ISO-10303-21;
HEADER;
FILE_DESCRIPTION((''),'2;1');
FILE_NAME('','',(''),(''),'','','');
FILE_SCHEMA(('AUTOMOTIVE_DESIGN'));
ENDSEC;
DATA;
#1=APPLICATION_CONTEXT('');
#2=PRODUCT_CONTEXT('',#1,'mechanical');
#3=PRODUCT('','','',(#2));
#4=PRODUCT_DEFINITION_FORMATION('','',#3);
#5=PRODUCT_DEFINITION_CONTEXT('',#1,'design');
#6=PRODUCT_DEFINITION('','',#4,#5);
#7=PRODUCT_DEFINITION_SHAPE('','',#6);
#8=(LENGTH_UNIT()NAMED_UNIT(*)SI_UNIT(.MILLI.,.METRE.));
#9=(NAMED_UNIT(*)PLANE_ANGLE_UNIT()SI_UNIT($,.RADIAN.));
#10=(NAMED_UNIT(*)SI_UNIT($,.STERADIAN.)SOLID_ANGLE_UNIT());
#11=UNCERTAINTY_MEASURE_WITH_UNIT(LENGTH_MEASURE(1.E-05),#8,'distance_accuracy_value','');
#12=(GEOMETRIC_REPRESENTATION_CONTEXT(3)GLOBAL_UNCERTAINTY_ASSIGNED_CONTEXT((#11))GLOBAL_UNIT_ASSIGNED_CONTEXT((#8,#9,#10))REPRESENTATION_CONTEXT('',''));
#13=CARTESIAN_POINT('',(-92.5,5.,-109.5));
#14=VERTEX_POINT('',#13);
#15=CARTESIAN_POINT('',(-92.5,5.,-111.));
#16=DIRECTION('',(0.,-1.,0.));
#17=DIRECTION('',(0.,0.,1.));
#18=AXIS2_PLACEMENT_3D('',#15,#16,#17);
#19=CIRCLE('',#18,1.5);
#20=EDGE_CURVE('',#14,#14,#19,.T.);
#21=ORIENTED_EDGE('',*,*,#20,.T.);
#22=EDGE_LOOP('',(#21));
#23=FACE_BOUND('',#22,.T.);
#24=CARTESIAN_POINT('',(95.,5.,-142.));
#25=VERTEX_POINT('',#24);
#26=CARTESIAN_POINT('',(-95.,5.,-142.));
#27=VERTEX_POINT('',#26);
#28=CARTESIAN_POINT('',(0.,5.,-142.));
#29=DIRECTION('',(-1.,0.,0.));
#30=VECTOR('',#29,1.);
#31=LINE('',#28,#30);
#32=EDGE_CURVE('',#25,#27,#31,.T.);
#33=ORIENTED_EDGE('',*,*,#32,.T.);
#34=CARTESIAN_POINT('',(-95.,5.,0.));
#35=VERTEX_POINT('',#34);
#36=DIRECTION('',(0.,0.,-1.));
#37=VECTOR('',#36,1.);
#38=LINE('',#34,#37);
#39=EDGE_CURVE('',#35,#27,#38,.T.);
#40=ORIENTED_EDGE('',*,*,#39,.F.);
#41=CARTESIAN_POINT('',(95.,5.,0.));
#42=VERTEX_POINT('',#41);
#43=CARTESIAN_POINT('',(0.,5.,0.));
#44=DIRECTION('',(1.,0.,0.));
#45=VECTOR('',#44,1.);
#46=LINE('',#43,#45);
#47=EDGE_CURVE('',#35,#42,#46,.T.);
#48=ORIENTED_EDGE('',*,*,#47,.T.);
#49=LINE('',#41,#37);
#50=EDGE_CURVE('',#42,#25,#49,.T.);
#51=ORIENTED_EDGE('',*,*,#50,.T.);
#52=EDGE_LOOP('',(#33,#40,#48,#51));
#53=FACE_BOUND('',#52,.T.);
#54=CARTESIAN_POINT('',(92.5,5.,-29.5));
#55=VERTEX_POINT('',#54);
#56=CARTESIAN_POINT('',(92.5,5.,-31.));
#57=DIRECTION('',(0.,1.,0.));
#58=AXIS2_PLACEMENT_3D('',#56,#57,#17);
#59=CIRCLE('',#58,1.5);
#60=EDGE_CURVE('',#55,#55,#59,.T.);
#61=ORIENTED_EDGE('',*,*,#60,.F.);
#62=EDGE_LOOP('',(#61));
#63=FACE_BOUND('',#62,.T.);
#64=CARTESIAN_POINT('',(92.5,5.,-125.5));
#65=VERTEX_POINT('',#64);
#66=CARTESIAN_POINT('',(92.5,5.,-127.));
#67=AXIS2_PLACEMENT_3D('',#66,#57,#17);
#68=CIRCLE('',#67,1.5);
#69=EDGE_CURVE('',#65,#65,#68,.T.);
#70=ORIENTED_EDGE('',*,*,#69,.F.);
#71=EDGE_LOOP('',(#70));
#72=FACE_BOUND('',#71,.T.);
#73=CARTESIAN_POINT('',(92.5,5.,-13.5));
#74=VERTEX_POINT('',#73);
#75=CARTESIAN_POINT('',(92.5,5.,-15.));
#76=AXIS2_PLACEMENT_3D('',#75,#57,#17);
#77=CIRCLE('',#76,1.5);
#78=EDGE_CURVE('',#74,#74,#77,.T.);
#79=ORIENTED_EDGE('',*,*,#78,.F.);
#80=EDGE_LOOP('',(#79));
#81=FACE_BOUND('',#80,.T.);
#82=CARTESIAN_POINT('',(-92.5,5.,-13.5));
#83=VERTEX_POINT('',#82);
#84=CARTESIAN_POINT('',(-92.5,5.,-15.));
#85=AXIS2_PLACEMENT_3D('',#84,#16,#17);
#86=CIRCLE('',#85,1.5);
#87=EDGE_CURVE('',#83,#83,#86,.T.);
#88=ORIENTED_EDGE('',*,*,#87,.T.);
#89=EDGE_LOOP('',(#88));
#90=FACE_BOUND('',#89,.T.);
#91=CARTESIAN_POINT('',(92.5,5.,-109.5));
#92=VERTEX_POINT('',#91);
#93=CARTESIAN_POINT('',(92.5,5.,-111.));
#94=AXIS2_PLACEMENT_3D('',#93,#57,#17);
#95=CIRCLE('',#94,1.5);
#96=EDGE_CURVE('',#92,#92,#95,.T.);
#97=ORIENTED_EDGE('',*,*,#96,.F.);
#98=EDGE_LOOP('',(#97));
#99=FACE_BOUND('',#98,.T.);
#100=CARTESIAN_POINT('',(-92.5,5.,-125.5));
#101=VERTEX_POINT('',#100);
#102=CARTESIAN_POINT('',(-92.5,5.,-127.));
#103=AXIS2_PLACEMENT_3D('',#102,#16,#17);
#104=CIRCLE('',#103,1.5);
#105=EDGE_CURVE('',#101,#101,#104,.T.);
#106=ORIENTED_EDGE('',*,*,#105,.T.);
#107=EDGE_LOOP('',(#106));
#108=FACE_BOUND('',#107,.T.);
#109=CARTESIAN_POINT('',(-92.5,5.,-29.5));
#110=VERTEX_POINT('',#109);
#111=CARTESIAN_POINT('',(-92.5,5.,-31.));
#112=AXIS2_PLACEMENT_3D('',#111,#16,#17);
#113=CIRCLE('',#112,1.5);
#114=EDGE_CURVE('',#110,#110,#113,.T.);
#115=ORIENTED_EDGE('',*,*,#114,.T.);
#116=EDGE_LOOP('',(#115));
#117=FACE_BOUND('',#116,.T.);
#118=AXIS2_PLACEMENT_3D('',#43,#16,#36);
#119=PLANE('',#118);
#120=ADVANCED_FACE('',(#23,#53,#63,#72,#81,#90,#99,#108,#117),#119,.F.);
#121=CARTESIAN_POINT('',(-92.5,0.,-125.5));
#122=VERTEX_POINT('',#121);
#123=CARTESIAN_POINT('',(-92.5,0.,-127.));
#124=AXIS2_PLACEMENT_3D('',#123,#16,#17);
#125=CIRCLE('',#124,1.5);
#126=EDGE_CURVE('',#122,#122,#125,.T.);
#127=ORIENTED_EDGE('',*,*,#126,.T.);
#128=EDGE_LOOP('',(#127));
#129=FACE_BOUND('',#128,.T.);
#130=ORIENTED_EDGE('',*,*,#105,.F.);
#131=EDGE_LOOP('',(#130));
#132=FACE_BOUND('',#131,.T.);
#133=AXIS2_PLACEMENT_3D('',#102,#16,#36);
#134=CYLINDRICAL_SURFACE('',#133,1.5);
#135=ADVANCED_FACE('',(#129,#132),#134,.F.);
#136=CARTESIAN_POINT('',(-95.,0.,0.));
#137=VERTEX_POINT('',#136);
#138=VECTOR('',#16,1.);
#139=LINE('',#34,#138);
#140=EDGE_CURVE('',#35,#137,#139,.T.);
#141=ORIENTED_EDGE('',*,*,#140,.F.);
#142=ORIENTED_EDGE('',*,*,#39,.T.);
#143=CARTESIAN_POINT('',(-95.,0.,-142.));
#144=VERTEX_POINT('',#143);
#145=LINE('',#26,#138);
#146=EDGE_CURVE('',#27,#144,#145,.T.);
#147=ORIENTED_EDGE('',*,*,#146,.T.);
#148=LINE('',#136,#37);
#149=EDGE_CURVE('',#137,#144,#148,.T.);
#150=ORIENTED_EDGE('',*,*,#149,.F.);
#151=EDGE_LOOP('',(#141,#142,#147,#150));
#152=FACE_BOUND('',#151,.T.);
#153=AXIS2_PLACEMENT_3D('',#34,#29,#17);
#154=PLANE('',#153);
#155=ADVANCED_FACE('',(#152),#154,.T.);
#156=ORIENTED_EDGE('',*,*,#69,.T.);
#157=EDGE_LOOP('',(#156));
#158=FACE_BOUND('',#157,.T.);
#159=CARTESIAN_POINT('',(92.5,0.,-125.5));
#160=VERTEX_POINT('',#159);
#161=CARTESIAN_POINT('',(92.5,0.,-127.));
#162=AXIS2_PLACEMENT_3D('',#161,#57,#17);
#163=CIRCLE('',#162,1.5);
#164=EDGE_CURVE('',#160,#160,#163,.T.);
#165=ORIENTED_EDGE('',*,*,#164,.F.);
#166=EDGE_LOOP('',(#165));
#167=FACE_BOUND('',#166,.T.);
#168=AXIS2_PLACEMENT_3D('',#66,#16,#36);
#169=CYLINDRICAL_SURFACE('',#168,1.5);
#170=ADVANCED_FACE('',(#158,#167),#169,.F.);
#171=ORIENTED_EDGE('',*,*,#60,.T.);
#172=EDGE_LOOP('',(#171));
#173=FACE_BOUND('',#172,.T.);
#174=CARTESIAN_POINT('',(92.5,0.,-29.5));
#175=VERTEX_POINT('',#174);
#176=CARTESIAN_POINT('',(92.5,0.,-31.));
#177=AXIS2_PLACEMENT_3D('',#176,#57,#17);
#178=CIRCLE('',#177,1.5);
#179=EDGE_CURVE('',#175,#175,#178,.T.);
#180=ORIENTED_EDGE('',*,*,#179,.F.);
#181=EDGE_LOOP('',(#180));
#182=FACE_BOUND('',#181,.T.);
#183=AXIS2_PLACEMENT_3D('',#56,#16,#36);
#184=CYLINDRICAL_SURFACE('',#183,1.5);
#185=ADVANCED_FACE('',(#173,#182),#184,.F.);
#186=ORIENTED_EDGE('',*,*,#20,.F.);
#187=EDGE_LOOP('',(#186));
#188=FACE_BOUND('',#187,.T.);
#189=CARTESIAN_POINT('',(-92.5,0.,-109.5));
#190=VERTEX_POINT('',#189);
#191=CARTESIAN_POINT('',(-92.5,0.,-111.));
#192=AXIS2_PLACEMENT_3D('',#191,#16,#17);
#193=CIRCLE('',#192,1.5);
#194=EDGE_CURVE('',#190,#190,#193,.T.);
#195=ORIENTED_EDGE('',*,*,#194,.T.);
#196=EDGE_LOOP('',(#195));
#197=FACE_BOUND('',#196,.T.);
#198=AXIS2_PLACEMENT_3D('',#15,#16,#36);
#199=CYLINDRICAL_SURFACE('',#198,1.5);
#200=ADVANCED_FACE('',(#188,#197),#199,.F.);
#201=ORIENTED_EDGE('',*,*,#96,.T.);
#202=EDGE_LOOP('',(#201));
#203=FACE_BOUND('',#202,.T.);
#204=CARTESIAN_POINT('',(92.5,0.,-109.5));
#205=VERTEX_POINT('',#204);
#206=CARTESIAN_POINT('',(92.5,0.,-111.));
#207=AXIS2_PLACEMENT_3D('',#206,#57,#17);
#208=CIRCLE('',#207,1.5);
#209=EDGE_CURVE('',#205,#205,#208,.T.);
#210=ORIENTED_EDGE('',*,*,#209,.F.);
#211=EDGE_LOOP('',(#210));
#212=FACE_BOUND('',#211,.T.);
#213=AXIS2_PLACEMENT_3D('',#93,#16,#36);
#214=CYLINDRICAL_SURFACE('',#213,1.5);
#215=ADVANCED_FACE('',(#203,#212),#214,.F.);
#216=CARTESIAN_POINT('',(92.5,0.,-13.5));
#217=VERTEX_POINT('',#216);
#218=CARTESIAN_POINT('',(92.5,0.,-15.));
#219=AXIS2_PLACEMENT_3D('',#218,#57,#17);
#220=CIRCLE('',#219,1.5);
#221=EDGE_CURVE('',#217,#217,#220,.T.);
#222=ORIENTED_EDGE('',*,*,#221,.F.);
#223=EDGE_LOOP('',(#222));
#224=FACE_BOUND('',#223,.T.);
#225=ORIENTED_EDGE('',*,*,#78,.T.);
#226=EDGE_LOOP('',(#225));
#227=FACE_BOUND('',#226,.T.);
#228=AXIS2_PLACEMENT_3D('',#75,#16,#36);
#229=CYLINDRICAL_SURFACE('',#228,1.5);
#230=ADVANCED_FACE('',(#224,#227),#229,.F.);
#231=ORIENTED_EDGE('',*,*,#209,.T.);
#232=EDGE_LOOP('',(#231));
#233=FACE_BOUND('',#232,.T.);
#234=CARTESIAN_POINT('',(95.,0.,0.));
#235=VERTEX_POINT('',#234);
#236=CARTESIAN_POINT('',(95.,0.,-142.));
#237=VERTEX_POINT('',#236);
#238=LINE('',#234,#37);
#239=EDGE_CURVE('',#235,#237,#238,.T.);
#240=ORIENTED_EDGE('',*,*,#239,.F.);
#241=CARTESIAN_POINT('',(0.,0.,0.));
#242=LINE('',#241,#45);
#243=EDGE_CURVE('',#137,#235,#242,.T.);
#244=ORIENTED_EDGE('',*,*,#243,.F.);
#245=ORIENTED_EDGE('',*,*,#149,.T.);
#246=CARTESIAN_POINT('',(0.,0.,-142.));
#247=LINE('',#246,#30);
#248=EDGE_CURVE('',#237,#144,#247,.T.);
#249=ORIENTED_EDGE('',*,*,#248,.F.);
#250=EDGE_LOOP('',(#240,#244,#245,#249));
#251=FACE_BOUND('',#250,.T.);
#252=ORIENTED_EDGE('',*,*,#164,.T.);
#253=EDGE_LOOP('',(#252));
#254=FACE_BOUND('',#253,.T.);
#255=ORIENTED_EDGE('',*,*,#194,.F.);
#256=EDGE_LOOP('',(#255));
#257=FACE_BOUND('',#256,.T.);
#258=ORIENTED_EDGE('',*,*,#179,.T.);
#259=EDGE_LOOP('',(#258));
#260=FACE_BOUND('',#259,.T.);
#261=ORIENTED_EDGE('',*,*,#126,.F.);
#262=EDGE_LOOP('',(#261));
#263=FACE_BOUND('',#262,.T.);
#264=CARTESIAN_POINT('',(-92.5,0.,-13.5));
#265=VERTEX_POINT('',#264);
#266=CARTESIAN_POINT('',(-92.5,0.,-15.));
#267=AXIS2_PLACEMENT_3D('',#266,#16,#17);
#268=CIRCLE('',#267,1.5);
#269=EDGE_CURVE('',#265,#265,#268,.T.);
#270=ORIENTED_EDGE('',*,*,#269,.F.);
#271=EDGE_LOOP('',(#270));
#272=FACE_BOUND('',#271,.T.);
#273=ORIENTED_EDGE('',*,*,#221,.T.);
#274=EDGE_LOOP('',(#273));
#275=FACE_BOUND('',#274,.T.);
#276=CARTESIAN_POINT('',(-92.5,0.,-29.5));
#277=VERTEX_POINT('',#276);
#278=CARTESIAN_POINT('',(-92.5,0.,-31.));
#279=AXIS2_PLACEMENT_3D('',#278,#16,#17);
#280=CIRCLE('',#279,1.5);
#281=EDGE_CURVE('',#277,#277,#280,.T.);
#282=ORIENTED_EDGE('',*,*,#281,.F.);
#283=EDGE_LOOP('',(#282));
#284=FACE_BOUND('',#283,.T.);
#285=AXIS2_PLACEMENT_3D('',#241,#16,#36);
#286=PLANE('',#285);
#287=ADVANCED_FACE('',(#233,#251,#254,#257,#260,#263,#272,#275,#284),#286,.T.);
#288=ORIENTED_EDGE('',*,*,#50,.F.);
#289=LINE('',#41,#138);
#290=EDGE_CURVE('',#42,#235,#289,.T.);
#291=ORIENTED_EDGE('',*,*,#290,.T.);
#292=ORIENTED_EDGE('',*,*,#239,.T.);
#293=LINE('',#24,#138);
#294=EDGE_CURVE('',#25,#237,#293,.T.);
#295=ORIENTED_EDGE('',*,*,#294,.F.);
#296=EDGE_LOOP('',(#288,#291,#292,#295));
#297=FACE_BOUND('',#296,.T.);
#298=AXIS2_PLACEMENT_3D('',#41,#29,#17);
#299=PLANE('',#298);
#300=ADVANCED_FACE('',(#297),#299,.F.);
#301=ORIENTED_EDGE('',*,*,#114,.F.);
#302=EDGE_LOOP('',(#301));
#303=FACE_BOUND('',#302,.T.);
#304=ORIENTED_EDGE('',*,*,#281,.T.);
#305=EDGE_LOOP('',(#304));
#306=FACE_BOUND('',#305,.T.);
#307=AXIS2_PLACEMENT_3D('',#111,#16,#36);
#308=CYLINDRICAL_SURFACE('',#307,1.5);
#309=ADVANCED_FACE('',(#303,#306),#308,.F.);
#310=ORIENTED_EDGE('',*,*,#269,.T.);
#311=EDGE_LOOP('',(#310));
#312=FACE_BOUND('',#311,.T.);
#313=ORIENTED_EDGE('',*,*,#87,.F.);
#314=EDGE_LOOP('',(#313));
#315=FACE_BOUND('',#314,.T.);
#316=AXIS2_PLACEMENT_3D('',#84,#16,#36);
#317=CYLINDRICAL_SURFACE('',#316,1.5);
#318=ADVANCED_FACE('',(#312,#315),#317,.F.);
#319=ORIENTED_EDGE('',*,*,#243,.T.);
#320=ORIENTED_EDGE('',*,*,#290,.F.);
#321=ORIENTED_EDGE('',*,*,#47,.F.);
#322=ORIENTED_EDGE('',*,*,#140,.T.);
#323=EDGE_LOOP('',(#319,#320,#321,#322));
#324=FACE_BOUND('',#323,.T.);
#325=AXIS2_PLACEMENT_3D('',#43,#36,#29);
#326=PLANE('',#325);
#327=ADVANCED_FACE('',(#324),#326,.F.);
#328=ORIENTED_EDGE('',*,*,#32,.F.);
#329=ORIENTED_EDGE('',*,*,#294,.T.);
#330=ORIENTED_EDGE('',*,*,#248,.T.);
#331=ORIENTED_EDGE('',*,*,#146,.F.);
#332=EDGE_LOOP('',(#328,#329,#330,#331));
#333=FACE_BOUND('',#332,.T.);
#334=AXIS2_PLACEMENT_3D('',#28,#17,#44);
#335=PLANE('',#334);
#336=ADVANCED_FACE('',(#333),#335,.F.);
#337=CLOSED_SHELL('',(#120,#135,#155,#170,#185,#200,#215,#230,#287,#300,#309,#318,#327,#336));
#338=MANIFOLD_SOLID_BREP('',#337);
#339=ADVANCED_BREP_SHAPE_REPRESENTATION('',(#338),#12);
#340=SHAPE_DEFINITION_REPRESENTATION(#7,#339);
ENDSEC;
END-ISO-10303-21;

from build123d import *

# Parameters (mm, degrees)
SKETCH1_W           = 95
SKETCH1_H           = 142
SKETCH1_R           = 1.5
BOSS_EXTRUDE1_DEPTH = 5


with BuildPart() as part:
    # Sketch1 → Boss-Extrude1 (new body)
    with BuildSketch(Plane(origin=(0, 0, 0), x_dir=(1, 0, 0), z_dir=(0, 1, 0))):
        with Locations((47.5, 71)):
            Rectangle(SKETCH1_W, SKETCH1_H)
        with Locations(Location((92.5, 15, 0), (0, 0, 270))):
            Circle(SKETCH1_R, mode=Mode.SUBTRACT)
        with Locations(Location((92.5, 31, 0), (0, 0, 270))):
            Circle(SKETCH1_R, mode=Mode.SUBTRACT)
        with Locations(Location((92.5, 127, 0), (0, 0, 270))):
            Circle(SKETCH1_R, mode=Mode.SUBTRACT)
        with Locations(Location((92.5, 111, 0), (0, 0, 270))):
            Circle(SKETCH1_R, mode=Mode.SUBTRACT)
    boss_extrude1 = extrude(amount=BOSS_EXTRUDE1_DEPTH)

    # Mirror1: Boss-Extrude1 across plane
    add(boss_extrude1.mirror(Plane(origin=(0, 5, 0), x_dir=(0, 0, 1), z_dir=(1, 0, 0))))


solid = part.part
